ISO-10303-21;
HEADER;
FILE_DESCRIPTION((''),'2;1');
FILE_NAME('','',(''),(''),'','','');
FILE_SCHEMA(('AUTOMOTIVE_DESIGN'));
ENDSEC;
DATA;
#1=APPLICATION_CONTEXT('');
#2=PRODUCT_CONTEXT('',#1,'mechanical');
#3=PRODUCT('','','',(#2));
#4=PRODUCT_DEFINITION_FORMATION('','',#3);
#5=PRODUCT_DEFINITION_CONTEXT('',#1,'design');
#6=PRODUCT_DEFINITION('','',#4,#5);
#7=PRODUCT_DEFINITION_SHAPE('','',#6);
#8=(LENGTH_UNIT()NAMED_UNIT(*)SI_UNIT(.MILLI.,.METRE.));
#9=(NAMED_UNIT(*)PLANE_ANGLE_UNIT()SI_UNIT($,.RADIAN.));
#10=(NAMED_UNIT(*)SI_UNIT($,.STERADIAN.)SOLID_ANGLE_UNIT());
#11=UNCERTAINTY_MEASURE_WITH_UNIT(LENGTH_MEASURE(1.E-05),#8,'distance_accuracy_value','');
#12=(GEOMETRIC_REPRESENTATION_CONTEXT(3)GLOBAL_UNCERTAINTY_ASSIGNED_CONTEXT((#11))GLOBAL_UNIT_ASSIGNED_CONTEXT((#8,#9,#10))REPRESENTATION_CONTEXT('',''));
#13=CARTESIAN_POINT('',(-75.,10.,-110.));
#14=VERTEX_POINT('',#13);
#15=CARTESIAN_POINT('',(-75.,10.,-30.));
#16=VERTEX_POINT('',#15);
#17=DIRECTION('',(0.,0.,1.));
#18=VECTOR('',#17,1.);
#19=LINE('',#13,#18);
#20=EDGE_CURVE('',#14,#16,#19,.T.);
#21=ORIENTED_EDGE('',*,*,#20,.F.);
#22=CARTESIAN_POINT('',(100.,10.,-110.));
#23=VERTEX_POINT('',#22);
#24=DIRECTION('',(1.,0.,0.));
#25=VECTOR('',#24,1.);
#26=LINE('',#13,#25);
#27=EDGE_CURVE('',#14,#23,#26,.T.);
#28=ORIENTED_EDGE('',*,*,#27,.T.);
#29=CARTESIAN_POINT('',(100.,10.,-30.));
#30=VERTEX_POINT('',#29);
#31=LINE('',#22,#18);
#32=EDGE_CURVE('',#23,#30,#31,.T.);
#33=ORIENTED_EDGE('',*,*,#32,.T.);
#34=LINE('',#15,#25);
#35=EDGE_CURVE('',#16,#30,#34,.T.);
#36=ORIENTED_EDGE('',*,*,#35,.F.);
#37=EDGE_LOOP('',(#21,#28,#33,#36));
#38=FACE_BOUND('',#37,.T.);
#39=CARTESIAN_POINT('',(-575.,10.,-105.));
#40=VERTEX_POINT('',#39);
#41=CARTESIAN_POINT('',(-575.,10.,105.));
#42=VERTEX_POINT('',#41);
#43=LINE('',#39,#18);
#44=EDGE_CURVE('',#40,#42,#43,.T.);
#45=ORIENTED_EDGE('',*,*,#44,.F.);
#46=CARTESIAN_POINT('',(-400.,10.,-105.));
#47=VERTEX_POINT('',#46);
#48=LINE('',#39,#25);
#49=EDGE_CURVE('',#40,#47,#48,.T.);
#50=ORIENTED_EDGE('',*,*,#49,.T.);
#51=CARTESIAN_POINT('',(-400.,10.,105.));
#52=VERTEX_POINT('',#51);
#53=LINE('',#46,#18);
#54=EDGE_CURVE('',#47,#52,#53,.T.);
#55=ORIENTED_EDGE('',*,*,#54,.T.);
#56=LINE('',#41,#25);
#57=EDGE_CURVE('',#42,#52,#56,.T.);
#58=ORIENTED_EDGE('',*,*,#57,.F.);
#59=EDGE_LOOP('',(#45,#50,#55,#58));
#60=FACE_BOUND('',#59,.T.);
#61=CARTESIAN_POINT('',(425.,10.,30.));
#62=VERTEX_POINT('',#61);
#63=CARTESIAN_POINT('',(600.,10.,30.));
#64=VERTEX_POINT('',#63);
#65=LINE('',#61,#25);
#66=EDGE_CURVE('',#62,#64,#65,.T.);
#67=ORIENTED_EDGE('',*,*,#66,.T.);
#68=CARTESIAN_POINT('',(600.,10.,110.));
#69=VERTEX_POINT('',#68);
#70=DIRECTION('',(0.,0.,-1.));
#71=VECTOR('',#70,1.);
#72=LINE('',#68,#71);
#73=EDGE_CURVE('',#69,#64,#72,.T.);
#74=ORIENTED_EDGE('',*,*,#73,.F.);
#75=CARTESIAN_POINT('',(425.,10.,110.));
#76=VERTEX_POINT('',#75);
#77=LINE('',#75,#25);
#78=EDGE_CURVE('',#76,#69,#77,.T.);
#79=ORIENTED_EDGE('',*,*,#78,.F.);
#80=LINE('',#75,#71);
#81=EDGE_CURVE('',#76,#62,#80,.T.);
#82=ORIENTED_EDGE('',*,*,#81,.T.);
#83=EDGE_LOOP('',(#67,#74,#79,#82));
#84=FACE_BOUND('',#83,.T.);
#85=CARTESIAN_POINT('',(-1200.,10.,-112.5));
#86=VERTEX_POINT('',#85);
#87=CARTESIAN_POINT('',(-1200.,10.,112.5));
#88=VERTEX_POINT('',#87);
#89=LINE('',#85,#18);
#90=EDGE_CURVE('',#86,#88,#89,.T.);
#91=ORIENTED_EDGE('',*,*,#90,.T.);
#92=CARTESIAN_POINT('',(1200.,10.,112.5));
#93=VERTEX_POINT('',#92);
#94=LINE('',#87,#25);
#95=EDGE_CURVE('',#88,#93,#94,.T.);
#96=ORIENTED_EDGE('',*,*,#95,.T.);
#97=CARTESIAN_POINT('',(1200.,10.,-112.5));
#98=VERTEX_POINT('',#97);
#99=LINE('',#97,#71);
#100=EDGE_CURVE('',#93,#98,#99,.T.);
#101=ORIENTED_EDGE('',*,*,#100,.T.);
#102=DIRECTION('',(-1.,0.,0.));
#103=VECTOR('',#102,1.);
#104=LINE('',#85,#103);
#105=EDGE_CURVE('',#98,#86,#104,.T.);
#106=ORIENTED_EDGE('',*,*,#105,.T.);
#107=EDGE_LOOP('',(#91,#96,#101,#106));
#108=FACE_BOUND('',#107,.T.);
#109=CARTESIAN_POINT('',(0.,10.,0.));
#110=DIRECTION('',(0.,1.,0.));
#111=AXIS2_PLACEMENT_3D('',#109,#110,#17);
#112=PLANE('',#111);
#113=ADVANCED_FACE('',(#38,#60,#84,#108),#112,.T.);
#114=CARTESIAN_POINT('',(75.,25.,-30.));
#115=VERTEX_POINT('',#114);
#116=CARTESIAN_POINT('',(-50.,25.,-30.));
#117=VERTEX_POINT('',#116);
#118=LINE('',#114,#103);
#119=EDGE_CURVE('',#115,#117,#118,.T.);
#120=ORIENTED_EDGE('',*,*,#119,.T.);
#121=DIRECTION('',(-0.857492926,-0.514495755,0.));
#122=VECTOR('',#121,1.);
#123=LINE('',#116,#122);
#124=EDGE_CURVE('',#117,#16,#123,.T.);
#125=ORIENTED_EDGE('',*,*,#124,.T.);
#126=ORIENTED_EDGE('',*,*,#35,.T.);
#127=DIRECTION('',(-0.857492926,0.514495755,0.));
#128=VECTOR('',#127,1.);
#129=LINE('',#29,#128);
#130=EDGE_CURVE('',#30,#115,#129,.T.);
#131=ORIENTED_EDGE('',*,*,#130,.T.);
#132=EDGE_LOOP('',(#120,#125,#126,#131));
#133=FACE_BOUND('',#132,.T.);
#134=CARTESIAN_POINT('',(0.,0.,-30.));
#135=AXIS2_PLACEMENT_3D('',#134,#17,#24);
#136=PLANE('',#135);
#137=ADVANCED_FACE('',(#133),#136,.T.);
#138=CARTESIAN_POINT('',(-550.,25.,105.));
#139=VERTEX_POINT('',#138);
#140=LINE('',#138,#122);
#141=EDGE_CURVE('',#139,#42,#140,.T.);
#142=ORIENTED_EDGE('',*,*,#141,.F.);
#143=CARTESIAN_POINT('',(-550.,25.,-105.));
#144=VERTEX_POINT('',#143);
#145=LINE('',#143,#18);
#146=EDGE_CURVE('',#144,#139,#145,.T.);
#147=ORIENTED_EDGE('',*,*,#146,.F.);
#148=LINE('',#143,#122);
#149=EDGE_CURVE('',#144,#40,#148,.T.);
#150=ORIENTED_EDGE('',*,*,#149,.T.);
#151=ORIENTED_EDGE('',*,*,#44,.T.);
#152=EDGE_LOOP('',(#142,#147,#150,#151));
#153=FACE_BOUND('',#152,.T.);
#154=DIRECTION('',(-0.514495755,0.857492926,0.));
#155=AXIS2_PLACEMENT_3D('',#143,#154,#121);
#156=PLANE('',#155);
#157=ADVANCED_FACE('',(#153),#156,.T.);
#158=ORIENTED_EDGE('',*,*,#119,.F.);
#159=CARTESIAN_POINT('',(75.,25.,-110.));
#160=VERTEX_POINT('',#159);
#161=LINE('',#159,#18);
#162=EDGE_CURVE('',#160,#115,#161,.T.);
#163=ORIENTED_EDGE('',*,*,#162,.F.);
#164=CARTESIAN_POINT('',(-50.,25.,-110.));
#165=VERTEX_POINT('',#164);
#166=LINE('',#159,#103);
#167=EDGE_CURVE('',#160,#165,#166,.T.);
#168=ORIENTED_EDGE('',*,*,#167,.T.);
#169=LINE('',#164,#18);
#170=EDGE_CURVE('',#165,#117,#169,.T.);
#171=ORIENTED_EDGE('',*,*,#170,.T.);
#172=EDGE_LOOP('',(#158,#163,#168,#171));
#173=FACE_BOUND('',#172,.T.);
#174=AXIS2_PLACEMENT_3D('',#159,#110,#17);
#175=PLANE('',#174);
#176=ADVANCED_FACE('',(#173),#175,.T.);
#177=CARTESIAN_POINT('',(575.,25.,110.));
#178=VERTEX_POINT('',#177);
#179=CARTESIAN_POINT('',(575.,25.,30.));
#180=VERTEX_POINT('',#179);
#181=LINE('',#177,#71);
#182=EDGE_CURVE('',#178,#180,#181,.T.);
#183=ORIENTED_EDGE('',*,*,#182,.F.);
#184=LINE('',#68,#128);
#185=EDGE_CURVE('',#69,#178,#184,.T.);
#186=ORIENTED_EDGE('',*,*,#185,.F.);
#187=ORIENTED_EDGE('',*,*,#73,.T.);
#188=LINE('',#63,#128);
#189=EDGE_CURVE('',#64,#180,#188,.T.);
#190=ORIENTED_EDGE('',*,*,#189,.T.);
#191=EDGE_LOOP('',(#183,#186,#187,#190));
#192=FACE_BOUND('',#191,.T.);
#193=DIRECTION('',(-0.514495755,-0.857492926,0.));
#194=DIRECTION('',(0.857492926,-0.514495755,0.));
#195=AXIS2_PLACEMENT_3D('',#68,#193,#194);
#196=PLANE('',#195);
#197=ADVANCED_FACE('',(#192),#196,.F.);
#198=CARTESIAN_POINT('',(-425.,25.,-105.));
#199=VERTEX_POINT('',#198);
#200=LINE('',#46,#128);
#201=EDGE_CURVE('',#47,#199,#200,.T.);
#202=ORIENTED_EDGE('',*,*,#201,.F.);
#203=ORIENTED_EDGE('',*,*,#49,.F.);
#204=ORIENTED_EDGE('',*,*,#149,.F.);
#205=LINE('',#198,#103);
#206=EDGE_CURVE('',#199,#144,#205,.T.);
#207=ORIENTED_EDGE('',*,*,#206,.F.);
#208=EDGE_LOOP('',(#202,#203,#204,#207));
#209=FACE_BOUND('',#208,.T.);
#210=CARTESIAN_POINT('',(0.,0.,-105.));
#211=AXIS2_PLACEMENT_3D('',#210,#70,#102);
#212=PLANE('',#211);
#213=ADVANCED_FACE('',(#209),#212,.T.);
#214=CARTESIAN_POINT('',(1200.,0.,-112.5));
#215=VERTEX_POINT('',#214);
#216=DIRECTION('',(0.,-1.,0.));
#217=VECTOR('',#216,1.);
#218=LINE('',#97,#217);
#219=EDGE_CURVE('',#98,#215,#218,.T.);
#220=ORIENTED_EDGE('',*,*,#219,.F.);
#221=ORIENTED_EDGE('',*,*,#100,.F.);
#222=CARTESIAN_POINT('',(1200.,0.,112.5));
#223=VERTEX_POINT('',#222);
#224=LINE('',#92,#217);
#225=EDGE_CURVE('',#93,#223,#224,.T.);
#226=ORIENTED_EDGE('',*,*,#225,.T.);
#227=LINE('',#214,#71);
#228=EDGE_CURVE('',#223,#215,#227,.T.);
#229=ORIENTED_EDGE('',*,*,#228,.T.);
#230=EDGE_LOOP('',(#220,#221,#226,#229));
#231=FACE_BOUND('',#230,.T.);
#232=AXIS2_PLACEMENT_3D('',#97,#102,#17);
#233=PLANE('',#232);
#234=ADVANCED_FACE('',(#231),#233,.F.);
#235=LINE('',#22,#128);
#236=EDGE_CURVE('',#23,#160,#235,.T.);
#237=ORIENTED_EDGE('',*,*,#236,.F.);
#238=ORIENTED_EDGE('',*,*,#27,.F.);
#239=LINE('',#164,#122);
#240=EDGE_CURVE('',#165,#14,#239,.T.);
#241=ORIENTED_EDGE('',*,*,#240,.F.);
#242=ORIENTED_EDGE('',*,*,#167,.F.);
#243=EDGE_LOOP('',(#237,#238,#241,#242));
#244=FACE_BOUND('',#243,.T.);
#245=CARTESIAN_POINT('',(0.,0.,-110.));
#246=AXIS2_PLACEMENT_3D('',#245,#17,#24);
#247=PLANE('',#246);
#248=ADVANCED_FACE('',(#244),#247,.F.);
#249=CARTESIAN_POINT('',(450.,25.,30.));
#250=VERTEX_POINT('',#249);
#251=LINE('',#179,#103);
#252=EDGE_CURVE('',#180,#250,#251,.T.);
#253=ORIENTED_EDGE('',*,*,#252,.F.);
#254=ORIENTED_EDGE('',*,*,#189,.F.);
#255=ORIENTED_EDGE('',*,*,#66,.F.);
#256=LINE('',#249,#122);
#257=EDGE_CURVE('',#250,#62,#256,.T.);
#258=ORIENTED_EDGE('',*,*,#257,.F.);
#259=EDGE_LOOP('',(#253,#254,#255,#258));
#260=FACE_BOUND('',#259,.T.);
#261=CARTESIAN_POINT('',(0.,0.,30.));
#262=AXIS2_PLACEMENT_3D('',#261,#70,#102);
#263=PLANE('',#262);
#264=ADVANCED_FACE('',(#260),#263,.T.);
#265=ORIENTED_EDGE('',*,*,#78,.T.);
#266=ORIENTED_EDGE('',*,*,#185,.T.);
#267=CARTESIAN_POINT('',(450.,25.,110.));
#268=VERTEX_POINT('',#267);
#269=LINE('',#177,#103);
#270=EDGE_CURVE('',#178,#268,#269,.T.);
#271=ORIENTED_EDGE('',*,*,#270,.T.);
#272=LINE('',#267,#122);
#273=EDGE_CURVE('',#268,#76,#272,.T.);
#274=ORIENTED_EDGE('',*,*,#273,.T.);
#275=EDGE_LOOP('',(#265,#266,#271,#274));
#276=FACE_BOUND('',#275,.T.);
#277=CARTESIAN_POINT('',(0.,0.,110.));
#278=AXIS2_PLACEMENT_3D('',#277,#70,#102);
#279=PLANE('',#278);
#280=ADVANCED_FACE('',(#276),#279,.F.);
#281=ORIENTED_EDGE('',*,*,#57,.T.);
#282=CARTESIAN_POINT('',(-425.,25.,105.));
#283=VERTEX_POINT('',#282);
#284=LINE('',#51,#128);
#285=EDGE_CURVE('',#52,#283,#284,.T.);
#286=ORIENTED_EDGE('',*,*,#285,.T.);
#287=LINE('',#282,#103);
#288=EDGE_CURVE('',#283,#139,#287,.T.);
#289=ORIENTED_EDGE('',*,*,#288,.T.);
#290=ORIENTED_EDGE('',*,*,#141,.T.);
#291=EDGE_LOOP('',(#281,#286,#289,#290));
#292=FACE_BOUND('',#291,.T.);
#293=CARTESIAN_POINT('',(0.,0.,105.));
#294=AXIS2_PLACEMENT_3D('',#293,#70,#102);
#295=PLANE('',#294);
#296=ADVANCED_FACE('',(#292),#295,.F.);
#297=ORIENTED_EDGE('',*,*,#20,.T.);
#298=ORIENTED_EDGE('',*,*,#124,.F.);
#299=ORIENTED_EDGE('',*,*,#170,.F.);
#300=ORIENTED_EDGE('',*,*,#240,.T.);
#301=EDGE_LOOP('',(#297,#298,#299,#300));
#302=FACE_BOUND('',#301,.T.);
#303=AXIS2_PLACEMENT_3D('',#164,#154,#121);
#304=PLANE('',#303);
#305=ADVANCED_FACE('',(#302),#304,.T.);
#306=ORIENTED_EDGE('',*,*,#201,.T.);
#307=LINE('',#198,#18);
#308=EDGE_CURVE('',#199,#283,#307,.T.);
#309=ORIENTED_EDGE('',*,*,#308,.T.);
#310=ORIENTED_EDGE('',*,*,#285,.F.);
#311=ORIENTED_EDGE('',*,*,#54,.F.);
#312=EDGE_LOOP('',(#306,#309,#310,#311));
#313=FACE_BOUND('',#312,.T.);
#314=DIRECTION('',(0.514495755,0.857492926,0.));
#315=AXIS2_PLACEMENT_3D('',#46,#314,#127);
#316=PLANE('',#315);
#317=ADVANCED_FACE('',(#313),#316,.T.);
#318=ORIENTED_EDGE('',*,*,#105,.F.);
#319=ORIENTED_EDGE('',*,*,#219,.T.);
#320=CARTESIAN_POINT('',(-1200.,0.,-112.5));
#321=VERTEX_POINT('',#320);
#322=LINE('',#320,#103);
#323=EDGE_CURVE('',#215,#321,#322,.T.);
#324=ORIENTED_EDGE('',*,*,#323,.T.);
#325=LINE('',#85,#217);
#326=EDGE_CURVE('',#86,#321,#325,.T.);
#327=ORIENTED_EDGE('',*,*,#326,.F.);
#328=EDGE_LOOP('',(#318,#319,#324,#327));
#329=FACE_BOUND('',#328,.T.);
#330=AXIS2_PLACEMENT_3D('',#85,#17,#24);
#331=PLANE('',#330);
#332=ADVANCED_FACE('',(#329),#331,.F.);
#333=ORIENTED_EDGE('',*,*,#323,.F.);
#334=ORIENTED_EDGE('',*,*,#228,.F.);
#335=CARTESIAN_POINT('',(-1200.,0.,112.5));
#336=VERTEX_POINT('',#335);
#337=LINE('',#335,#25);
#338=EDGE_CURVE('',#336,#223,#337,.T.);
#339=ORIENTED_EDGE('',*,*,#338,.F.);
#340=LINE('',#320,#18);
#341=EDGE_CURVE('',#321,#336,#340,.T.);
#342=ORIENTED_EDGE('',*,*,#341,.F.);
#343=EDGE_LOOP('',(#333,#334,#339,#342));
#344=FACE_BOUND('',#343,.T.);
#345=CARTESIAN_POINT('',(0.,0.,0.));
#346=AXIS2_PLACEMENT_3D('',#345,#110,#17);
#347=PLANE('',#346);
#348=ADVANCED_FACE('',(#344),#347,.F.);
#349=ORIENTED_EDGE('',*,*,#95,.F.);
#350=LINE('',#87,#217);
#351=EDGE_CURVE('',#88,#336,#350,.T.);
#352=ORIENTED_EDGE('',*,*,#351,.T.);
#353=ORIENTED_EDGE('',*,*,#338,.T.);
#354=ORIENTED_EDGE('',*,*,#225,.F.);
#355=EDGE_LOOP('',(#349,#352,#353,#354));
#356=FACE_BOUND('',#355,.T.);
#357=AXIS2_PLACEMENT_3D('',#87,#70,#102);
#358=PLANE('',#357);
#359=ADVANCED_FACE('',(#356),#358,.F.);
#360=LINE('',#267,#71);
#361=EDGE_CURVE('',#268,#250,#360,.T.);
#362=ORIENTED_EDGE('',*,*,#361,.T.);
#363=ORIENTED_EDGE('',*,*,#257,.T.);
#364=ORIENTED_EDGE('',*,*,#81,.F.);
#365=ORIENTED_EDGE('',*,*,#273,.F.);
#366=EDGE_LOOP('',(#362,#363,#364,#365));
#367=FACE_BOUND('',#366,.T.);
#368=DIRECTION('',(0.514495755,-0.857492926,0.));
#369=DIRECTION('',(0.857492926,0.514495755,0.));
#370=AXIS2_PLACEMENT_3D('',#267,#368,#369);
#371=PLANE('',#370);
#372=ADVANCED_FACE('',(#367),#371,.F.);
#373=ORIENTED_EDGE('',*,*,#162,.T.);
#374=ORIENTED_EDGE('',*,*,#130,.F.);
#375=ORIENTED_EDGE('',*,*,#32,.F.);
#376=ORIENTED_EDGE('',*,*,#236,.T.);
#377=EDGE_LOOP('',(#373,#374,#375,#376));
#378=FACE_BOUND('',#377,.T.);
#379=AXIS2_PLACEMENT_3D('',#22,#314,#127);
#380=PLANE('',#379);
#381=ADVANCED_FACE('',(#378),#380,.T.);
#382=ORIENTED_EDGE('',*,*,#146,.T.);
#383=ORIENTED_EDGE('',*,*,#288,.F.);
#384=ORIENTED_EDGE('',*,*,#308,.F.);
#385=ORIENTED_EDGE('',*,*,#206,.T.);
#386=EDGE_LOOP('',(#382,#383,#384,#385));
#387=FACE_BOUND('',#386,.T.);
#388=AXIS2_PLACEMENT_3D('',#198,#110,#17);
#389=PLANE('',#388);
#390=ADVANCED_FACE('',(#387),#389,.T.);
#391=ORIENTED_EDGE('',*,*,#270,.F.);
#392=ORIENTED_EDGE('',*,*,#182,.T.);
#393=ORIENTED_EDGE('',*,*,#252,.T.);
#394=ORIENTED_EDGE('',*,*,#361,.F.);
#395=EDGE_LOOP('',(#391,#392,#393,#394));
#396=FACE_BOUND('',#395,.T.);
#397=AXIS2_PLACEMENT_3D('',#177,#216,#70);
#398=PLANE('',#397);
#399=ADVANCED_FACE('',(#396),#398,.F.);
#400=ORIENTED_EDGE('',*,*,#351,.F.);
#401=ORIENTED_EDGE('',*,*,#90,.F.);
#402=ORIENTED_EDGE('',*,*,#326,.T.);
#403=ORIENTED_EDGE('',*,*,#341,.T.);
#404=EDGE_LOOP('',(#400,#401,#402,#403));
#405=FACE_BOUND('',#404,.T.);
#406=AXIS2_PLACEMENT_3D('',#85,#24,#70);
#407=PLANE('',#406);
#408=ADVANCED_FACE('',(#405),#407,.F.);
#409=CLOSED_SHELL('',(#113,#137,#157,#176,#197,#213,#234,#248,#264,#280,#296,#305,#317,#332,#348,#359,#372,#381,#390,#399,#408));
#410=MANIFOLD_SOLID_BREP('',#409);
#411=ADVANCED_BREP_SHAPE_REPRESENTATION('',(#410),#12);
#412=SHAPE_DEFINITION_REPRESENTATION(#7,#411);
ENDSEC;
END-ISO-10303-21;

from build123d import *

# Parameters (mm, degrees)
SKETCH1_W                = 2400
SKETCH1_H                = 225
BOSS_EXTRUDE1_DEPTH      = 10
BOSS_EXTRUDE2_START      = 30
BOSS_EXTRUDE2_DEPTH      = 80
BOSS_EXTRUDE3_START      = -30
BOSS_EXTRUDE3_DEPTH      = 80
BOSS_EXTRUDE4_DEPTH      = 105
BOSS_EXTRUDE4_DEPTH_BACK = 105


with BuildPart() as part:
    # Sketch1 → Boss-Extrude1 (new body)
    with BuildSketch(Plane(origin=(0, 0, 0), x_dir=(1, 0, 0), z_dir=(0, 1, 0))):
        Rectangle(SKETCH1_W, SKETCH1_H)
    extrude(amount=BOSS_EXTRUDE1_DEPTH)

    # Sketch2 → Boss-Extrude2 (add)
    with BuildSketch(Plane.XY.offset(BOSS_EXTRUDE2_START)):
        Polygon((425, 10), (600, 10), (575, 25), (450, 25), align=None)
    extrude(amount=BOSS_EXTRUDE2_DEPTH)

    # Sketch4 → Boss-Extrude3 (add)
    with BuildSketch(Plane.XY.offset(BOSS_EXTRUDE3_START)):
        Polygon((100, 10), (75, 25), (-50, 25), (-75, 10), align=None)
    extrude(amount=-BOSS_EXTRUDE3_DEPTH)

    # Sketch5 → Boss-Extrude4 (add, two sides: drawn at the far end of the back side and taken through both)
    with BuildSketch(Plane.XY.offset(-BOSS_EXTRUDE4_DEPTH_BACK)):
        Polygon((-575, 10), (-400, 10), (-425, 25), (-550, 25), align=None)
    extrude(amount=BOSS_EXTRUDE4_DEPTH + BOSS_EXTRUDE4_DEPTH_BACK)


solid = part.part
